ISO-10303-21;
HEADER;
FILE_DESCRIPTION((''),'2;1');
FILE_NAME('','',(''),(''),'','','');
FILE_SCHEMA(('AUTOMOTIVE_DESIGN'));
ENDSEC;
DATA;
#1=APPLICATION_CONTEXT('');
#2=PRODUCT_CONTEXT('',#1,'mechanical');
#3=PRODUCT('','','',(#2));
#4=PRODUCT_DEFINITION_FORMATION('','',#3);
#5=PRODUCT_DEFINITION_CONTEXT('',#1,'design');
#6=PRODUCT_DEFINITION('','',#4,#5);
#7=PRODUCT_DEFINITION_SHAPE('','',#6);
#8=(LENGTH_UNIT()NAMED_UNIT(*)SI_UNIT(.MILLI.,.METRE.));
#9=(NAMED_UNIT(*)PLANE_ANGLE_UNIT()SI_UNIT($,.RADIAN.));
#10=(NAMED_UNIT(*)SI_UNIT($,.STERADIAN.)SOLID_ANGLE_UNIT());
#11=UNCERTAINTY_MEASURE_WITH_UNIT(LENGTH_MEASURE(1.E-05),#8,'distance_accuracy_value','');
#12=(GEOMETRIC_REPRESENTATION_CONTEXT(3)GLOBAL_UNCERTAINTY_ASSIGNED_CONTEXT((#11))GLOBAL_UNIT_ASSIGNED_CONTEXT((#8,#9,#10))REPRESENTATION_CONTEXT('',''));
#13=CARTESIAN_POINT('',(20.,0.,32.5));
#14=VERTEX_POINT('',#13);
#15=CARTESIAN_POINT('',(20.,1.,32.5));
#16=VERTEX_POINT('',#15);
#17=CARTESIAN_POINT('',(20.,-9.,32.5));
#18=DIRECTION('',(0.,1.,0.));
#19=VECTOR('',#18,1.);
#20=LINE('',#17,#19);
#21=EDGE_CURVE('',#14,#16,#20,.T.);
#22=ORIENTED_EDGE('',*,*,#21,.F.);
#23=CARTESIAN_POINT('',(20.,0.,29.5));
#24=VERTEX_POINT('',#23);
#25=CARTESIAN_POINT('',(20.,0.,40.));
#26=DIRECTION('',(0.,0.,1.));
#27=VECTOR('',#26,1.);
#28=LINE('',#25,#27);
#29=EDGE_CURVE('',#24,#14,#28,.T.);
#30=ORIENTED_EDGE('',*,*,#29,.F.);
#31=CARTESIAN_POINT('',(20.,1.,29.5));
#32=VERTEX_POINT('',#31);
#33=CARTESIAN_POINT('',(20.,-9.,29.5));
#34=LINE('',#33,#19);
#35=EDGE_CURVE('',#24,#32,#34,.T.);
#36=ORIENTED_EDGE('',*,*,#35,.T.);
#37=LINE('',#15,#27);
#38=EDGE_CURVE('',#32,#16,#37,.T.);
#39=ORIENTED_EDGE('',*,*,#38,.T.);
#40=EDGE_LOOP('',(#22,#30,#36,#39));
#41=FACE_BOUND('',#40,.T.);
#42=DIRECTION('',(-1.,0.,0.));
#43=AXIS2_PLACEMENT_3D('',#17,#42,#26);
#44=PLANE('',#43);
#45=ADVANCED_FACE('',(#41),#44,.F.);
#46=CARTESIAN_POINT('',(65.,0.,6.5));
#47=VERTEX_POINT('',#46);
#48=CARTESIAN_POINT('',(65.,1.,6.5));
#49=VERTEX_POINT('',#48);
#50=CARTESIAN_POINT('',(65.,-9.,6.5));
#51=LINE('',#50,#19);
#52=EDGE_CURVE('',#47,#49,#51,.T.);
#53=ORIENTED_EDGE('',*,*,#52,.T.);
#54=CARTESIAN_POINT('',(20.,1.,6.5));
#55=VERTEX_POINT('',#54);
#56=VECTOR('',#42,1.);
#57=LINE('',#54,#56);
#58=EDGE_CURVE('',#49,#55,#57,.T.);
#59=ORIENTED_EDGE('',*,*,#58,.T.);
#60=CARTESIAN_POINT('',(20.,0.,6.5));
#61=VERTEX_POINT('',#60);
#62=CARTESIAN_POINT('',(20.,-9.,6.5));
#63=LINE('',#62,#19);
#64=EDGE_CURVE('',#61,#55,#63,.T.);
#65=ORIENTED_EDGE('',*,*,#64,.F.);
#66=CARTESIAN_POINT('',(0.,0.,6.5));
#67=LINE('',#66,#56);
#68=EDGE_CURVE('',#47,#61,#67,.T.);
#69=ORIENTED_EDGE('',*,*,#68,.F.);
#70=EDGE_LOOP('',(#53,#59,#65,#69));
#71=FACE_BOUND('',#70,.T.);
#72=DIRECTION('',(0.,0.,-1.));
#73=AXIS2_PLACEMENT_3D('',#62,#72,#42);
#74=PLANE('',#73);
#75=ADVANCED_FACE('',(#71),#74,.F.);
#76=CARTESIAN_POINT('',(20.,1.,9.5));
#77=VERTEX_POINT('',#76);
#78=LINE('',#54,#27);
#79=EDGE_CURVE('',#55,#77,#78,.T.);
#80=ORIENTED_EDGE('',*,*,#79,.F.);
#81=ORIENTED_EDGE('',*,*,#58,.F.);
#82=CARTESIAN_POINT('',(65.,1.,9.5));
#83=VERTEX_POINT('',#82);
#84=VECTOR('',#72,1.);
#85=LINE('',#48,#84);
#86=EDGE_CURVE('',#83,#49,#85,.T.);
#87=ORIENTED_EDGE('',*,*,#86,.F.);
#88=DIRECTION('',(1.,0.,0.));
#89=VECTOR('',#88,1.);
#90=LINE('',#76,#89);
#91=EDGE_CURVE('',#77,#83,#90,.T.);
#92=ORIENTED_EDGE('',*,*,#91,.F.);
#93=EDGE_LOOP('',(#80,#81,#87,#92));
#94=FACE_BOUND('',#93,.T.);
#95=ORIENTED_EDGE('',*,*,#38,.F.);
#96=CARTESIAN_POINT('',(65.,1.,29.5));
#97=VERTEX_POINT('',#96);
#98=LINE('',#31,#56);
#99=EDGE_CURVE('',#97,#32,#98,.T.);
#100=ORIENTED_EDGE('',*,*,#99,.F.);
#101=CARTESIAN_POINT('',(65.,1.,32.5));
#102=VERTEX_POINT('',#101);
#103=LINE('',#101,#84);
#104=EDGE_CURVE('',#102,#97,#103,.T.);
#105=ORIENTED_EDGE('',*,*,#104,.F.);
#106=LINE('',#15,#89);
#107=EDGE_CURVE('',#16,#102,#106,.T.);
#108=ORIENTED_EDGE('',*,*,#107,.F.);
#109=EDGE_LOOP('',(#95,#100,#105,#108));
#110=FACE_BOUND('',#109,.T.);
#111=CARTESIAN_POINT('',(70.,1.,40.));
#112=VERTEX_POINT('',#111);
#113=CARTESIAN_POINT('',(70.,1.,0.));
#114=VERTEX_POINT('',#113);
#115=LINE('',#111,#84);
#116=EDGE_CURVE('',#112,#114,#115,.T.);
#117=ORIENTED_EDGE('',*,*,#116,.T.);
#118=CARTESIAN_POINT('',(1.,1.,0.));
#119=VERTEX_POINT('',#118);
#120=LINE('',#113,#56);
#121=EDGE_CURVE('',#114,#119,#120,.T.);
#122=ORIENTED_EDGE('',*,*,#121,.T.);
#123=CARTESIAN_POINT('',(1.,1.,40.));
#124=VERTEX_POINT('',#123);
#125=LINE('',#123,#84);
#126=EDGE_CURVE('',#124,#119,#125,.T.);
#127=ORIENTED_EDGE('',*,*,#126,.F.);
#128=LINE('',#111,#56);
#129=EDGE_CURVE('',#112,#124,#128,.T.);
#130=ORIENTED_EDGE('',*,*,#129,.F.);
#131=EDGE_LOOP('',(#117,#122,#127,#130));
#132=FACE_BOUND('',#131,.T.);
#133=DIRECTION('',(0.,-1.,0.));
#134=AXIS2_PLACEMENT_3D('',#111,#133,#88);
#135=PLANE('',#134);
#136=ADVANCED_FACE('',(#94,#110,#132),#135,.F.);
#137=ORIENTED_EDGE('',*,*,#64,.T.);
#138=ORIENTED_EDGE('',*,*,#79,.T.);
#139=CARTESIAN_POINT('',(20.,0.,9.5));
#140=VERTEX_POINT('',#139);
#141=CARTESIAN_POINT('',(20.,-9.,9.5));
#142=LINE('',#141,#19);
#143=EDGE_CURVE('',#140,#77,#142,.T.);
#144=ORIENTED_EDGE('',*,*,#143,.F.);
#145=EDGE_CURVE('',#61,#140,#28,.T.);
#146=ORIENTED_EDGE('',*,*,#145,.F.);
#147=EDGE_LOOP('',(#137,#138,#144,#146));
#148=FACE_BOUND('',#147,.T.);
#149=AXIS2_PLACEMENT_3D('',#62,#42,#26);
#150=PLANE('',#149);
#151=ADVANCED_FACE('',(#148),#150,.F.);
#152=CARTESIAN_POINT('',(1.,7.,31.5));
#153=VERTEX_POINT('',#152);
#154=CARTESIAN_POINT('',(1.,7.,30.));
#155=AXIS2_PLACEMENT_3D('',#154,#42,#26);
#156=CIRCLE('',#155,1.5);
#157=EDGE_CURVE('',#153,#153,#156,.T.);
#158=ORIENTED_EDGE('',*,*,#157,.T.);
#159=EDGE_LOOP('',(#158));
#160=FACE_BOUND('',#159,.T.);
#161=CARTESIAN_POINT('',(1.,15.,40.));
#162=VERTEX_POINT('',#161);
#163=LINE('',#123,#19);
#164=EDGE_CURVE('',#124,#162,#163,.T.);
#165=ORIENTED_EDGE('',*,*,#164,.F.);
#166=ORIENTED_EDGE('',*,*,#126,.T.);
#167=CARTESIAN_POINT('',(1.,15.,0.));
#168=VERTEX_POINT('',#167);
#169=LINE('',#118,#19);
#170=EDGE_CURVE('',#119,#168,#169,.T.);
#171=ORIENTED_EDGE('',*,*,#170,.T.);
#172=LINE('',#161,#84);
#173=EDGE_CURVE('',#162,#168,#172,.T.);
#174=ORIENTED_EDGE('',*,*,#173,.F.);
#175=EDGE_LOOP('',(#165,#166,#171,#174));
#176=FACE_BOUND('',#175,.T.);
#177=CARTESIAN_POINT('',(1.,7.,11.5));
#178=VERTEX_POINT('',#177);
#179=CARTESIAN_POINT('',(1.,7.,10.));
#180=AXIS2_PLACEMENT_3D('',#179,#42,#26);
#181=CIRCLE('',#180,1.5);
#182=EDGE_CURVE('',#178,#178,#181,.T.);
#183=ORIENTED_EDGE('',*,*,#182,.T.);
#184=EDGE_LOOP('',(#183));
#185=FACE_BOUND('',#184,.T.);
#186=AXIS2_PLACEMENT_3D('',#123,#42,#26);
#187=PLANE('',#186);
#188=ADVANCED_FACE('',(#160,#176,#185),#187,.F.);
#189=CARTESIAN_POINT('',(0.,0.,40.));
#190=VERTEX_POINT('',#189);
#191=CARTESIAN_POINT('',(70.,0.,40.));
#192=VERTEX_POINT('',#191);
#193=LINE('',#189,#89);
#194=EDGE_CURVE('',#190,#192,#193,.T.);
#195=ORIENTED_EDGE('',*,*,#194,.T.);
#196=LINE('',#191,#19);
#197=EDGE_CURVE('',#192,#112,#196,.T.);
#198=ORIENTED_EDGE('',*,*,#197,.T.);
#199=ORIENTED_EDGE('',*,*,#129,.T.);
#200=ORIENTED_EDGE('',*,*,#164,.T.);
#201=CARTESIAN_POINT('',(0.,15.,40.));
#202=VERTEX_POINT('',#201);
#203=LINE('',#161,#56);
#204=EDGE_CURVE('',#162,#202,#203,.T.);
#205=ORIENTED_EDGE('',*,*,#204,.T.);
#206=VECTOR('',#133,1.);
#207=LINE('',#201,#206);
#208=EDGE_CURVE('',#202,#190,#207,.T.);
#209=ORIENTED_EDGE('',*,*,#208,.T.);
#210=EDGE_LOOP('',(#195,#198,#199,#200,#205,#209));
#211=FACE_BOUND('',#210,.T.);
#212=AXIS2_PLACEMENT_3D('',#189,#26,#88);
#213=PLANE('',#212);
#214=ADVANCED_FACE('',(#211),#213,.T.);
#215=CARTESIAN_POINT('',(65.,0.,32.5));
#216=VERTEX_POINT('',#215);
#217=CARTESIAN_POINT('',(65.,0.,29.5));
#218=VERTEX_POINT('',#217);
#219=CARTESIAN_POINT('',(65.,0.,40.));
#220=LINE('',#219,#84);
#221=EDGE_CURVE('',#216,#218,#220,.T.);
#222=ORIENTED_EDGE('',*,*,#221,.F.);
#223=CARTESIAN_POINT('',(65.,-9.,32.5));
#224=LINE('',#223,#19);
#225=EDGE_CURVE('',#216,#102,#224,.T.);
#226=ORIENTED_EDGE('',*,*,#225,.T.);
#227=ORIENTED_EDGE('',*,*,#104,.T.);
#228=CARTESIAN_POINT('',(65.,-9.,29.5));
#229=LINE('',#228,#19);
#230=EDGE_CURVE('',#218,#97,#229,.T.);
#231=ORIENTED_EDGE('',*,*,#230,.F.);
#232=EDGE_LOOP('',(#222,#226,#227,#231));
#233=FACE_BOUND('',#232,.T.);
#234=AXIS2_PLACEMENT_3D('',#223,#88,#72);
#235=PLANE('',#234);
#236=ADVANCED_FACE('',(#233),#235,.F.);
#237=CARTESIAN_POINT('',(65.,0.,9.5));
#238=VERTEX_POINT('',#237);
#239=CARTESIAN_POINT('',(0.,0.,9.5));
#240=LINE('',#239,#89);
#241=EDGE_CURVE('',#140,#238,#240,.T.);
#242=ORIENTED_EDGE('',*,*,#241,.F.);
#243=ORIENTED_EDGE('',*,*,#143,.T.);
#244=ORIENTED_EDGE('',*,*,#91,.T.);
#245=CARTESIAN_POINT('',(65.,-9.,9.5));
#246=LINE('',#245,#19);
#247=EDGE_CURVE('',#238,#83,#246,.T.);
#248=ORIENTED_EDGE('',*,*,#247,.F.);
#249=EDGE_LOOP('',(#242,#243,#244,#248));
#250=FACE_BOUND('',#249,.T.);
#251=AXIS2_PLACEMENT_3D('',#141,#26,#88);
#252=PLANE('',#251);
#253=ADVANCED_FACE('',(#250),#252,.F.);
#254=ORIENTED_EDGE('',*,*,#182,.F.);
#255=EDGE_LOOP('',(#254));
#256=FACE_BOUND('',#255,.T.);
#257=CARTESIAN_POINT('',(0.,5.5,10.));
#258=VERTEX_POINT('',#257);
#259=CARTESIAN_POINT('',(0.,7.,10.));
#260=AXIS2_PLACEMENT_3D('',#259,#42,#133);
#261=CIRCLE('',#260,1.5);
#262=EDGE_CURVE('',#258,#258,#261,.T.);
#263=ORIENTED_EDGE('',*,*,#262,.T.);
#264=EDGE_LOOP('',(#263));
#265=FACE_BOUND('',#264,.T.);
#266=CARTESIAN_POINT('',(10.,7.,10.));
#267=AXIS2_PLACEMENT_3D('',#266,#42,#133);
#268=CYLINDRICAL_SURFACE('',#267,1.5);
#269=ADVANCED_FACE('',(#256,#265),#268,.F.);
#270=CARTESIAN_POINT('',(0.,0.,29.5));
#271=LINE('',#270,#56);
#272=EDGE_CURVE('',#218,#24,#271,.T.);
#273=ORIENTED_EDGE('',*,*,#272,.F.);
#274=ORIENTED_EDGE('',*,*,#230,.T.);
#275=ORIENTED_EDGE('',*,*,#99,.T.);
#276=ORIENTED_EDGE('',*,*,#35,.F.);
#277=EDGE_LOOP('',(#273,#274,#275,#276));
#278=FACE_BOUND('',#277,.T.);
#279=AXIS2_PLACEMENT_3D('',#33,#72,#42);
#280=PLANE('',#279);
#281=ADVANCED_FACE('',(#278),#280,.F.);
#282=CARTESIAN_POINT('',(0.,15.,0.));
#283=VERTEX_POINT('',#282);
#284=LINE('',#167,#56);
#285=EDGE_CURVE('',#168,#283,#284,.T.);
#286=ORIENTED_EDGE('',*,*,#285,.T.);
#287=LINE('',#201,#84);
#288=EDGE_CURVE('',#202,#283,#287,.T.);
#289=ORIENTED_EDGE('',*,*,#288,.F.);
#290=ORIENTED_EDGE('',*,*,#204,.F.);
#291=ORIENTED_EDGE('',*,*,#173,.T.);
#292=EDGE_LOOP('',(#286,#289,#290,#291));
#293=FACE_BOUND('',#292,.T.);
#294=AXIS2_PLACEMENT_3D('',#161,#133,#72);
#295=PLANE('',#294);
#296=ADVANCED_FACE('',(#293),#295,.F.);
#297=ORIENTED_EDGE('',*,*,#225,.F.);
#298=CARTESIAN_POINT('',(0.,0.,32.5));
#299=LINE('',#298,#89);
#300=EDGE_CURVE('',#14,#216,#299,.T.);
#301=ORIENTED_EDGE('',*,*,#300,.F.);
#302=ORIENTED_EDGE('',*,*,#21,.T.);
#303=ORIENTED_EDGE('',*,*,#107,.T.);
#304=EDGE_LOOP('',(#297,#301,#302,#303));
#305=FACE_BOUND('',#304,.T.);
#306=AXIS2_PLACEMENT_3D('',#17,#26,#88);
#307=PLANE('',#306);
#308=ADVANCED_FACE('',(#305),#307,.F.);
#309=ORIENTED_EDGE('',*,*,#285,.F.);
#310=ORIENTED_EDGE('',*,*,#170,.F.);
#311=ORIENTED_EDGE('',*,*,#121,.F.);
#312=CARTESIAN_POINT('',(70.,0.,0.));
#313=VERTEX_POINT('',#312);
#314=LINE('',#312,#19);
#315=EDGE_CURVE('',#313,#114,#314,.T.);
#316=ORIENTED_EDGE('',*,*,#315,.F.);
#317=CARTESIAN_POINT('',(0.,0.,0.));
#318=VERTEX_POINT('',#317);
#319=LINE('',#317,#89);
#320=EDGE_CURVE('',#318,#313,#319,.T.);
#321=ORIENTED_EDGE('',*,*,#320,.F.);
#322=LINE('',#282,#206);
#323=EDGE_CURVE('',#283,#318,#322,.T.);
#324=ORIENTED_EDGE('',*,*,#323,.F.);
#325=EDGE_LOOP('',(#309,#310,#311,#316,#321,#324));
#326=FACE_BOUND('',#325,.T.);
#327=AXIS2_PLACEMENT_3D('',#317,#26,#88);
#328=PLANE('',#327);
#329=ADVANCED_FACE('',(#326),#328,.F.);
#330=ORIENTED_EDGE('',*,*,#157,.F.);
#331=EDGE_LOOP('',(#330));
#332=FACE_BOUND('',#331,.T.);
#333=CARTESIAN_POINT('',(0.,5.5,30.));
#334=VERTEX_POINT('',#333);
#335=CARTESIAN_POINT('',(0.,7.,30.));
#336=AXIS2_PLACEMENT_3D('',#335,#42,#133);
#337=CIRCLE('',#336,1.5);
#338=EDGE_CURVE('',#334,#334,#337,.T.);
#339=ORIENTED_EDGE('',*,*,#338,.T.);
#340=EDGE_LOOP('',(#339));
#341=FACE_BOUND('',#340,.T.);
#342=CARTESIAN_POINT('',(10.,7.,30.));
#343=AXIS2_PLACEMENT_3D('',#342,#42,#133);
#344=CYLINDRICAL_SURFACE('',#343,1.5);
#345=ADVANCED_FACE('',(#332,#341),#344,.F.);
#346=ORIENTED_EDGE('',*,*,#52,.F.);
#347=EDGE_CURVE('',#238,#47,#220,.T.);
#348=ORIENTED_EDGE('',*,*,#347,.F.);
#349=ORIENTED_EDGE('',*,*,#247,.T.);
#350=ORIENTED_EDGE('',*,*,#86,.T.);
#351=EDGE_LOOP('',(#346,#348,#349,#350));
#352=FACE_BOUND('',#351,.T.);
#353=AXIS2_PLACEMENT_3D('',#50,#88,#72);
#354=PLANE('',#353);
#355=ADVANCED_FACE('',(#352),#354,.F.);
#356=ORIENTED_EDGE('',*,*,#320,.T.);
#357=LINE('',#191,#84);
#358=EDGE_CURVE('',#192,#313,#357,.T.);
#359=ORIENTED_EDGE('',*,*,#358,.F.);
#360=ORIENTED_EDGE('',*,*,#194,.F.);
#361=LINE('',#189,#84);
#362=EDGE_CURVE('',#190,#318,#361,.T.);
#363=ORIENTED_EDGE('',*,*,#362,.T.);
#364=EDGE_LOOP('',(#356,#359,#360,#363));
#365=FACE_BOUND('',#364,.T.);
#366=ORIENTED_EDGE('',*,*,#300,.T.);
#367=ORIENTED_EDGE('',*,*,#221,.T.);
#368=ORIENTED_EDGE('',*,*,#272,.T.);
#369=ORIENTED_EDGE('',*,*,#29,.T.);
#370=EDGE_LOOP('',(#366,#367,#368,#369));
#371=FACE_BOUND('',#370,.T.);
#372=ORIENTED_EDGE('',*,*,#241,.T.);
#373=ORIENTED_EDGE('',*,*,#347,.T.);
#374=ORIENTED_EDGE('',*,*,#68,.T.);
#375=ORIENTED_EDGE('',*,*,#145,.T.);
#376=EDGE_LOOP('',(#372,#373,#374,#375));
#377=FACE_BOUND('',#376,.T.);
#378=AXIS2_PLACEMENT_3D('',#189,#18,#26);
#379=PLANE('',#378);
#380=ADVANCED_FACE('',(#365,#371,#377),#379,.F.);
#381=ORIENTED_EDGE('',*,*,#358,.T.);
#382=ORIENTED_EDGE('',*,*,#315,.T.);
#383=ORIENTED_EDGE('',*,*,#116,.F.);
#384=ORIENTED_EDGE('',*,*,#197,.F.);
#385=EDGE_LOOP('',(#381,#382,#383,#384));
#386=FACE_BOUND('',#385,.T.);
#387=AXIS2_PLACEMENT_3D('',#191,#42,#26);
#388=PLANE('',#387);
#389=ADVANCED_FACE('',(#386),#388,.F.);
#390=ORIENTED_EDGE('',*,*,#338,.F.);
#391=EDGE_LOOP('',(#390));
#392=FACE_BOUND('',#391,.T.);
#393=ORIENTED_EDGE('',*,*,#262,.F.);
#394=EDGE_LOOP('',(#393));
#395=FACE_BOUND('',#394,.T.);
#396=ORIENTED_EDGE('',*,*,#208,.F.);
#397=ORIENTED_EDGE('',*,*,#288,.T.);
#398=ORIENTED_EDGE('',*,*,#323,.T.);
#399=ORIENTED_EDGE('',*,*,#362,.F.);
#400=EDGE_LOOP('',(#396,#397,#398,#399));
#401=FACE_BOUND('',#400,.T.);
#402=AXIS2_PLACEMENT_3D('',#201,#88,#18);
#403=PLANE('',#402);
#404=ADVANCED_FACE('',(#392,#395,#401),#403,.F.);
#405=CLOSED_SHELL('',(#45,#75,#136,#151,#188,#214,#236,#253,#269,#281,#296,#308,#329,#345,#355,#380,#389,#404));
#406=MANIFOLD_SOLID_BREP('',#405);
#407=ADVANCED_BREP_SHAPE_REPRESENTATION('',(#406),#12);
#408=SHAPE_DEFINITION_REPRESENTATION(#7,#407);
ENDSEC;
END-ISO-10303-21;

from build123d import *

# Parameters (mm, degrees)
BOSS_EXTRUDE1_DEPTH = 40
SKETCH2_W           = 45
SKETCH2_H           = 3
CUT_EXTRUDE1_DEPTH  = 10
SKETCH3_R           = 1.5
CUT_EXTRUDE2_DEPTH  = 10


with BuildPart() as part:
    # Sketch1 → Boss-Extrude1 (new body)
    with BuildSketch(Plane.XY):
        Polygon((0, 0), (70, 0), (70, 1), (1, 1), (1, 15), (0, 15), align=None)
    extrude(amount=BOSS_EXTRUDE1_DEPTH)

    # Sketch2 → Cut-Extrude1 (cut)
    with BuildSketch(Plane(origin=(0, 1, 0), x_dir=(1, 0, 0), z_dir=(0, 1, 0))):
        with Locations((42.5, -8)):
            Rectangle(SKETCH2_W, SKETCH2_H)
        with Locations((42.5, -31)):
            Rectangle(SKETCH2_W, SKETCH2_H)
    extrude(amount=-CUT_EXTRUDE1_DEPTH, mode=Mode.SUBTRACT)

    # Sketch3 → Cut-Extrude2 (cut)
    with BuildSketch(Plane.ZY):
        with Locations((30, 7)):
            Circle(SKETCH3_R)
        with Locations((10, 7)):
            Circle(SKETCH3_R)
    extrude(amount=-CUT_EXTRUDE2_DEPTH, mode=Mode.SUBTRACT)


solid = part.part
